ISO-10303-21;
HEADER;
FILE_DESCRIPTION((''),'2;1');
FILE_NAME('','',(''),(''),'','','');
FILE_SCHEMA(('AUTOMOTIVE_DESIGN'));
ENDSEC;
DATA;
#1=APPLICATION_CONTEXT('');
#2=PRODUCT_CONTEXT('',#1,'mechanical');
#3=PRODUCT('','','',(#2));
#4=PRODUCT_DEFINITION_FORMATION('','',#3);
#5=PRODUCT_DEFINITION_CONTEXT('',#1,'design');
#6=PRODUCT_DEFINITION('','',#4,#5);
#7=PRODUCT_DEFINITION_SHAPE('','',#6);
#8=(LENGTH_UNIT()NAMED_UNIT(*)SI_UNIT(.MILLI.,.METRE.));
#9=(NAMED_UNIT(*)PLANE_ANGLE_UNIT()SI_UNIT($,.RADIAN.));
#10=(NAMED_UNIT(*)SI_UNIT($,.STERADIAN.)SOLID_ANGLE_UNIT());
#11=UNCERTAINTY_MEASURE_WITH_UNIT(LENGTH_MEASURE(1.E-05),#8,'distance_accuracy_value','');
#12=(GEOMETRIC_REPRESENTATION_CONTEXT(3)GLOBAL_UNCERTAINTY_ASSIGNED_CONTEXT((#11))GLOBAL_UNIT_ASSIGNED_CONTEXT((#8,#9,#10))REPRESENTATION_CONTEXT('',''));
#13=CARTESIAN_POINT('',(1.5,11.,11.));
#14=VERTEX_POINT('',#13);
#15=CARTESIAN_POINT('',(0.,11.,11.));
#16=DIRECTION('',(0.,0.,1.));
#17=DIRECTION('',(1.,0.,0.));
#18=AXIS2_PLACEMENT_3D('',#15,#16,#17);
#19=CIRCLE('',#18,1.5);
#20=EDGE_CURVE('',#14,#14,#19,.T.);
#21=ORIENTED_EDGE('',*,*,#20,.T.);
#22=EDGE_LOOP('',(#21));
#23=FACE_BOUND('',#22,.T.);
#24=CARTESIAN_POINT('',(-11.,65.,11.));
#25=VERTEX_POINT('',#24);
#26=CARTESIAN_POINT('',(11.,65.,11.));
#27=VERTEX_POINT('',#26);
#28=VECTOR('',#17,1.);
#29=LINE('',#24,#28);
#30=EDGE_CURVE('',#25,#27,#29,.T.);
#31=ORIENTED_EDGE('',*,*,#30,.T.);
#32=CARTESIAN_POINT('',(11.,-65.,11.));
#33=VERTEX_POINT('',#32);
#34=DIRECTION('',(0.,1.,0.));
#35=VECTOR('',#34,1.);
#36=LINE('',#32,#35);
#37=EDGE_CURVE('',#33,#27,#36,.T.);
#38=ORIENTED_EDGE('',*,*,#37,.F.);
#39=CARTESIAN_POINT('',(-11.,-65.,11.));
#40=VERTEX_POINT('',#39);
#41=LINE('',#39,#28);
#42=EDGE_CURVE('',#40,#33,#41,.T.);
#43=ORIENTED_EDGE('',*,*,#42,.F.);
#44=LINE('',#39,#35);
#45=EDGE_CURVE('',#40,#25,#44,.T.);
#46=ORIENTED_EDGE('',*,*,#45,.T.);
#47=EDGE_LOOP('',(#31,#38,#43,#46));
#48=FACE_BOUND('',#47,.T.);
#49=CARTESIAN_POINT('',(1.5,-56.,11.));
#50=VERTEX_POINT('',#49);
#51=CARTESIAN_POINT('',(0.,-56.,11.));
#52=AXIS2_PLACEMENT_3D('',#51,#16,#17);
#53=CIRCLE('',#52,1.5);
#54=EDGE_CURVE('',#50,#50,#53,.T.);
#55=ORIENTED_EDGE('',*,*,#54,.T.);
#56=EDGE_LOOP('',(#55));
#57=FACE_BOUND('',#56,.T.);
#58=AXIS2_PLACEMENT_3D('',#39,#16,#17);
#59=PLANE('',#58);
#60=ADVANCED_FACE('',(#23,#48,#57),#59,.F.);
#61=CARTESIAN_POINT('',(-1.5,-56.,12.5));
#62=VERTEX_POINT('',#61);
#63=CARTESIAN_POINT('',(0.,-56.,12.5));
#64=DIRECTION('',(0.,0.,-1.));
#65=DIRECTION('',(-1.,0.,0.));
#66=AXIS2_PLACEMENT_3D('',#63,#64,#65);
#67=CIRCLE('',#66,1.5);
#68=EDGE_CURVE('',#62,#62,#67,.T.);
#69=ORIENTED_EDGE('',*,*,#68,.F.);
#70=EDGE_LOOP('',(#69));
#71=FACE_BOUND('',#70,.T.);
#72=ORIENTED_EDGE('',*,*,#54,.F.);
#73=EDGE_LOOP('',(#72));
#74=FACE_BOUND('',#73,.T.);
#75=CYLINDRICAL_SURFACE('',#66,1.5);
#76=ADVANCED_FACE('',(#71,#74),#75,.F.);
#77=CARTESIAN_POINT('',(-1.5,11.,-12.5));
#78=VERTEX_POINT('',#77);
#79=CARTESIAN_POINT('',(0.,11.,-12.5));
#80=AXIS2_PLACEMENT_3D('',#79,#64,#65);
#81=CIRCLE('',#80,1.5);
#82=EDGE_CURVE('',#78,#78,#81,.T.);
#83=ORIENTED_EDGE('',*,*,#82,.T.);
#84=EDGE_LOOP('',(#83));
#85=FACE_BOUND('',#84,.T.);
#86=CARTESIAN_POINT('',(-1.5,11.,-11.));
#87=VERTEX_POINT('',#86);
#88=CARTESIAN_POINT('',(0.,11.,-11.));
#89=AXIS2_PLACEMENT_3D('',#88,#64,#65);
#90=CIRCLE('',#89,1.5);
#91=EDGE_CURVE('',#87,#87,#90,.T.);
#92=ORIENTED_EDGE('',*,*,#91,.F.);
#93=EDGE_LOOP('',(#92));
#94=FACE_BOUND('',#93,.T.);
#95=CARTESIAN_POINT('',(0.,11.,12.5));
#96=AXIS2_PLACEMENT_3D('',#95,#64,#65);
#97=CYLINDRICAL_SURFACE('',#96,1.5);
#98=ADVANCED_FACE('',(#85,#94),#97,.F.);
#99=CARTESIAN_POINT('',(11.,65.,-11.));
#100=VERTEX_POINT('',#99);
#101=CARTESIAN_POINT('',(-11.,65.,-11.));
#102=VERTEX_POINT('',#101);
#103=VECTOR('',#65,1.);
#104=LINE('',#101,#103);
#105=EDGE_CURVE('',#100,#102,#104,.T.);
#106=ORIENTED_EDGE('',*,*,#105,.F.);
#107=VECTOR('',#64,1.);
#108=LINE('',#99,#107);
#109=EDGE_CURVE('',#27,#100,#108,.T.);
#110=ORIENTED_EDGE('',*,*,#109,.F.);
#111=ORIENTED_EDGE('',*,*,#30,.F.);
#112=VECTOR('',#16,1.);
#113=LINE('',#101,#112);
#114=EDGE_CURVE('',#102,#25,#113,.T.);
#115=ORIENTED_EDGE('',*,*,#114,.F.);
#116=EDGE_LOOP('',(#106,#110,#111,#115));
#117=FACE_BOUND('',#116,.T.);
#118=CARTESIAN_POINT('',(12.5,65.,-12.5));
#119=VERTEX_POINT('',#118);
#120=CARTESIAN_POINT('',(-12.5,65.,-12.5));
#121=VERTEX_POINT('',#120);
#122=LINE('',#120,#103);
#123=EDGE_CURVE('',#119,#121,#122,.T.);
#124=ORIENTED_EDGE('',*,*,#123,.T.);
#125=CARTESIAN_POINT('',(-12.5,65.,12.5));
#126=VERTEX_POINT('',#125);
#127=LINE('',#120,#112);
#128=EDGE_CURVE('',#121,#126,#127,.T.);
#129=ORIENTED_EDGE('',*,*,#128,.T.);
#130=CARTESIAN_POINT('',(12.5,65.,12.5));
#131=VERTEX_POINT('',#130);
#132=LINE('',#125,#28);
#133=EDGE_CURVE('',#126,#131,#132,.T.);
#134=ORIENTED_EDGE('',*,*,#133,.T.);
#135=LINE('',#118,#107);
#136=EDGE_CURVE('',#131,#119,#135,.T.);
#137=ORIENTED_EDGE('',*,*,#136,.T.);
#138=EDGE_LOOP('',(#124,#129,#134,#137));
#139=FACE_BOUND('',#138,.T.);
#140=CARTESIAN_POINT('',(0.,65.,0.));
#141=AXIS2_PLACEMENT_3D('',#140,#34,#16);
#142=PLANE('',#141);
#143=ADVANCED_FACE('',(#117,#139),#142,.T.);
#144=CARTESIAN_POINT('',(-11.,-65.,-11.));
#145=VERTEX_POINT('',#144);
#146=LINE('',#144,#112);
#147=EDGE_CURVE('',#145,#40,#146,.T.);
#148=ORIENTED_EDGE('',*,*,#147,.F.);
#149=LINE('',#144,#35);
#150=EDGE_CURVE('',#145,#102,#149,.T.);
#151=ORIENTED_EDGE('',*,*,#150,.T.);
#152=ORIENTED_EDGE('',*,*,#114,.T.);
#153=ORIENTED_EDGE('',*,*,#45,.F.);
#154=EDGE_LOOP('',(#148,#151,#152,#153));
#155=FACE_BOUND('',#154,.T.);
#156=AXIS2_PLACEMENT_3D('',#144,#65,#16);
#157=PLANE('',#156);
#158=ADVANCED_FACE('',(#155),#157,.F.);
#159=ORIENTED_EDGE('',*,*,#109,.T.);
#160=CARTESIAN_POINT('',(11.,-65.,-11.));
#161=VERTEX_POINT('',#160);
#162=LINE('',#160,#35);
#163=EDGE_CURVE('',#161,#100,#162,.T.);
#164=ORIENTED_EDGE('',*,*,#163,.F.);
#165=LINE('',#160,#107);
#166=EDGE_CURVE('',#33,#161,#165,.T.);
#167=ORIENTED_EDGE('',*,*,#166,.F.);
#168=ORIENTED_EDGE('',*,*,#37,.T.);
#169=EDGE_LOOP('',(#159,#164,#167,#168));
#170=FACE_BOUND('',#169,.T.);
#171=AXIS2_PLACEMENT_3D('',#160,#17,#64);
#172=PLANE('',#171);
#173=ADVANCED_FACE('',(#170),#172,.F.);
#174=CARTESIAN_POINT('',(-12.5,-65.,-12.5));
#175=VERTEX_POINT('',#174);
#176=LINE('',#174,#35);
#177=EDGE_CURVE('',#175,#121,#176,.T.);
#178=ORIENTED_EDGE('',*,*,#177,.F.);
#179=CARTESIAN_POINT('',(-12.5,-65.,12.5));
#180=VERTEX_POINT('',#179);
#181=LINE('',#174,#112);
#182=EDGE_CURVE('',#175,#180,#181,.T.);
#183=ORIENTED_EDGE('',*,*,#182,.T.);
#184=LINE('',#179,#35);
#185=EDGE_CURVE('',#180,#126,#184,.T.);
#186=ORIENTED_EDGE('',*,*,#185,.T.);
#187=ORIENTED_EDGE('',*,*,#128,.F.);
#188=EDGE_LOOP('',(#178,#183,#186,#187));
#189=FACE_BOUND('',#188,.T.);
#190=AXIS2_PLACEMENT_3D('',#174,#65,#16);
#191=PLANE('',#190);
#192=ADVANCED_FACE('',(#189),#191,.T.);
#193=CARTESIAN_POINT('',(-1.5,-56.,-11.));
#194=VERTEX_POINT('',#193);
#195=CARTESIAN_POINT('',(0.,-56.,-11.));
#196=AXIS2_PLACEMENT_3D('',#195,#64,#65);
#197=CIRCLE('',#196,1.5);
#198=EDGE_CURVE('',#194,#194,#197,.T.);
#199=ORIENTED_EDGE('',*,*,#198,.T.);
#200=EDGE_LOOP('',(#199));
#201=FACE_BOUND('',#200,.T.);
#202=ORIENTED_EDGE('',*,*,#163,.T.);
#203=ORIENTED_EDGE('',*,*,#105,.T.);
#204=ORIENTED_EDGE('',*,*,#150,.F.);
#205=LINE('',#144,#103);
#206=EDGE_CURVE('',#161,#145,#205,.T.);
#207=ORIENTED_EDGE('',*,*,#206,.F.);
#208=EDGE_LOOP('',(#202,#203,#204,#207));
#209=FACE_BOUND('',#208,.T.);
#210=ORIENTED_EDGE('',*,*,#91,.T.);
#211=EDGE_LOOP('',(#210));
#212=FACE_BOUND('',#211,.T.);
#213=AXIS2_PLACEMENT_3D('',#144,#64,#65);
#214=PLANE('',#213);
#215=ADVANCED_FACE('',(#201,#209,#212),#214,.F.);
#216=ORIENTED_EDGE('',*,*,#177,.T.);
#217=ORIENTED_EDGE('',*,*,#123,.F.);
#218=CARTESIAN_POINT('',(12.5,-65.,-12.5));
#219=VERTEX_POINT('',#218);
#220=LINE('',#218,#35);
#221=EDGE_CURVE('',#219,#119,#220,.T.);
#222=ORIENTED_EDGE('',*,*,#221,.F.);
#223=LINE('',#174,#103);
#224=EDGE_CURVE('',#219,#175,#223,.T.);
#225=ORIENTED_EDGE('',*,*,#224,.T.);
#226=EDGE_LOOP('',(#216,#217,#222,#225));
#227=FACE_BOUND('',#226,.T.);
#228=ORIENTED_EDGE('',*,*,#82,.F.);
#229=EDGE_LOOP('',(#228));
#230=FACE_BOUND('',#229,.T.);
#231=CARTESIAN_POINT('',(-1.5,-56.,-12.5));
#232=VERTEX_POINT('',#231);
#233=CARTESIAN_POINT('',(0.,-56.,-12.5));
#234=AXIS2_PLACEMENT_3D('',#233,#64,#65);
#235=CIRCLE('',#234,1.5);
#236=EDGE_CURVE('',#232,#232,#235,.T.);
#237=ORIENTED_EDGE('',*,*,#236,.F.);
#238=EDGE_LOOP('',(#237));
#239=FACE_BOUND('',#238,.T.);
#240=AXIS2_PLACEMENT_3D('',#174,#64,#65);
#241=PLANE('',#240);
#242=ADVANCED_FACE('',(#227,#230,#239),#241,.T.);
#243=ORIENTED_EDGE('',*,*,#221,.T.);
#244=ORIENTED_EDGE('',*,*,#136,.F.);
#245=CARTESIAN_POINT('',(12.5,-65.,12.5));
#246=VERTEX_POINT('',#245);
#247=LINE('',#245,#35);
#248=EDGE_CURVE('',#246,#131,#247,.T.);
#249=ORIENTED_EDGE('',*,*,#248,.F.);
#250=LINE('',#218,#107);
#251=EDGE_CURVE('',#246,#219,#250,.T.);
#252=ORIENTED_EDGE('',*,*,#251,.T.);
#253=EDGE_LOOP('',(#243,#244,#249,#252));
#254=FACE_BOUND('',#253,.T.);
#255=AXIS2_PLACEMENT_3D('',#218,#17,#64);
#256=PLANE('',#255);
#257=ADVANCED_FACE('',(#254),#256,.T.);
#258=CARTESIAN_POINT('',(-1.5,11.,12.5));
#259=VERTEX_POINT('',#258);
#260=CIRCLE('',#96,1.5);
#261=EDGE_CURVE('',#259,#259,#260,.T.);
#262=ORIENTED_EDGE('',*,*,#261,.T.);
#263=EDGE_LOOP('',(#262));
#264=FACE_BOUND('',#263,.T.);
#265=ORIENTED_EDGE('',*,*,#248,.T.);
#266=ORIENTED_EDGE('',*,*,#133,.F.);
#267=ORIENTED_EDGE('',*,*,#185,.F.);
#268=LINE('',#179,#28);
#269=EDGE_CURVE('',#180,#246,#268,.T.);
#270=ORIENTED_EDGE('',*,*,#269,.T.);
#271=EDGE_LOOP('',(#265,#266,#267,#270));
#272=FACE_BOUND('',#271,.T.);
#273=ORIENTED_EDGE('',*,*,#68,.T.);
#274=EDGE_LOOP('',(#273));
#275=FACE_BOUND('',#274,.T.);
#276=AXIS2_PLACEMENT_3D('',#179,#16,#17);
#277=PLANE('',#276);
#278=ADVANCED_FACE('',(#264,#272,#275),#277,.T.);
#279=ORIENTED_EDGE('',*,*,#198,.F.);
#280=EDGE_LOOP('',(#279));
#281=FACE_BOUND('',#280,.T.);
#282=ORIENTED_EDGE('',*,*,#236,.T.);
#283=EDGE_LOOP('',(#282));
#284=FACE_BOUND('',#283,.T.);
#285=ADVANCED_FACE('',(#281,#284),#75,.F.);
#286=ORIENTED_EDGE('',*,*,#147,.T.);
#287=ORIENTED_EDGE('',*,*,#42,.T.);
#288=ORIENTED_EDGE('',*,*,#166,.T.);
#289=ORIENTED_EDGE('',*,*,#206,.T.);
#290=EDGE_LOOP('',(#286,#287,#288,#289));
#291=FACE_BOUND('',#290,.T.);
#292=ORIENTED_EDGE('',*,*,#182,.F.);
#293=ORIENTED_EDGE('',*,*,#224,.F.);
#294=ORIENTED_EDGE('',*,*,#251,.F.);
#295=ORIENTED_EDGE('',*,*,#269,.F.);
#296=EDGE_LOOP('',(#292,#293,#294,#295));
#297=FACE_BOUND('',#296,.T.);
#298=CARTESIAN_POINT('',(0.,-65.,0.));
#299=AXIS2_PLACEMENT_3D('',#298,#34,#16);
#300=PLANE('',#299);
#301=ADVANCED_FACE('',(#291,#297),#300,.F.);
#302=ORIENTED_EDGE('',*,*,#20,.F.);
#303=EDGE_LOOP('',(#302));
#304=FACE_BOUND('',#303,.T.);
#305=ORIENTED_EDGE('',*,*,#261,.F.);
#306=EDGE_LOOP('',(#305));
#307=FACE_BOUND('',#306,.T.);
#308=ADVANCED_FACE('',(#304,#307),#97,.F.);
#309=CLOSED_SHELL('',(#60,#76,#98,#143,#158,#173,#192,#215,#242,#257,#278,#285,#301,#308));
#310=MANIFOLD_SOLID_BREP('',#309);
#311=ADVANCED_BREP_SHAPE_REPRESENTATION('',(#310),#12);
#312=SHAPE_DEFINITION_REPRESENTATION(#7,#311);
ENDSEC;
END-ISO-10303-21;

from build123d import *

# Parameters (mm, degrees)
BOSS_EXTRUDE1_DEPTH      = 65
BOSS_EXTRUDE1_DEPTH_BACK = 65
SKETCH3_W                = 25
SKETCH3_H                = 25
SKETCH3_W_2              = 22
SKETCH3_H_2              = 22
SKETCH5_R                = 1.5
CUT_EXTRUDE2_DEPTH       = 25


with BuildPart() as part:
    # Sketch3 → Boss-Extrude1 (new, two sides: drawn at the far end of the back side and taken through both)
    with BuildSketch(Plane(origin=(0, 0, 0), x_dir=(1, 0, 0), z_dir=(0, 1, 0)).offset(-BOSS_EXTRUDE1_DEPTH_BACK)):
        Rectangle(SKETCH3_W, SKETCH3_H)
        Rectangle(SKETCH3_W_2, SKETCH3_H_2, mode=Mode.SUBTRACT)
    extrude(amount=BOSS_EXTRUDE1_DEPTH + BOSS_EXTRUDE1_DEPTH_BACK)

    # Sketch5 → Cut-Extrude2 (cut)
    with BuildSketch(Plane(origin=(0, 0, -12.5), x_dir=(-1, 0, 0), z_dir=(0, 0, -1))):
        with Locations((0, -56)):
            Circle(SKETCH5_R)
        with Locations((0, 11)):
            Circle(SKETCH5_R)
    extrude(amount=-CUT_EXTRUDE2_DEPTH, mode=Mode.SUBTRACT)


solid = part.part
